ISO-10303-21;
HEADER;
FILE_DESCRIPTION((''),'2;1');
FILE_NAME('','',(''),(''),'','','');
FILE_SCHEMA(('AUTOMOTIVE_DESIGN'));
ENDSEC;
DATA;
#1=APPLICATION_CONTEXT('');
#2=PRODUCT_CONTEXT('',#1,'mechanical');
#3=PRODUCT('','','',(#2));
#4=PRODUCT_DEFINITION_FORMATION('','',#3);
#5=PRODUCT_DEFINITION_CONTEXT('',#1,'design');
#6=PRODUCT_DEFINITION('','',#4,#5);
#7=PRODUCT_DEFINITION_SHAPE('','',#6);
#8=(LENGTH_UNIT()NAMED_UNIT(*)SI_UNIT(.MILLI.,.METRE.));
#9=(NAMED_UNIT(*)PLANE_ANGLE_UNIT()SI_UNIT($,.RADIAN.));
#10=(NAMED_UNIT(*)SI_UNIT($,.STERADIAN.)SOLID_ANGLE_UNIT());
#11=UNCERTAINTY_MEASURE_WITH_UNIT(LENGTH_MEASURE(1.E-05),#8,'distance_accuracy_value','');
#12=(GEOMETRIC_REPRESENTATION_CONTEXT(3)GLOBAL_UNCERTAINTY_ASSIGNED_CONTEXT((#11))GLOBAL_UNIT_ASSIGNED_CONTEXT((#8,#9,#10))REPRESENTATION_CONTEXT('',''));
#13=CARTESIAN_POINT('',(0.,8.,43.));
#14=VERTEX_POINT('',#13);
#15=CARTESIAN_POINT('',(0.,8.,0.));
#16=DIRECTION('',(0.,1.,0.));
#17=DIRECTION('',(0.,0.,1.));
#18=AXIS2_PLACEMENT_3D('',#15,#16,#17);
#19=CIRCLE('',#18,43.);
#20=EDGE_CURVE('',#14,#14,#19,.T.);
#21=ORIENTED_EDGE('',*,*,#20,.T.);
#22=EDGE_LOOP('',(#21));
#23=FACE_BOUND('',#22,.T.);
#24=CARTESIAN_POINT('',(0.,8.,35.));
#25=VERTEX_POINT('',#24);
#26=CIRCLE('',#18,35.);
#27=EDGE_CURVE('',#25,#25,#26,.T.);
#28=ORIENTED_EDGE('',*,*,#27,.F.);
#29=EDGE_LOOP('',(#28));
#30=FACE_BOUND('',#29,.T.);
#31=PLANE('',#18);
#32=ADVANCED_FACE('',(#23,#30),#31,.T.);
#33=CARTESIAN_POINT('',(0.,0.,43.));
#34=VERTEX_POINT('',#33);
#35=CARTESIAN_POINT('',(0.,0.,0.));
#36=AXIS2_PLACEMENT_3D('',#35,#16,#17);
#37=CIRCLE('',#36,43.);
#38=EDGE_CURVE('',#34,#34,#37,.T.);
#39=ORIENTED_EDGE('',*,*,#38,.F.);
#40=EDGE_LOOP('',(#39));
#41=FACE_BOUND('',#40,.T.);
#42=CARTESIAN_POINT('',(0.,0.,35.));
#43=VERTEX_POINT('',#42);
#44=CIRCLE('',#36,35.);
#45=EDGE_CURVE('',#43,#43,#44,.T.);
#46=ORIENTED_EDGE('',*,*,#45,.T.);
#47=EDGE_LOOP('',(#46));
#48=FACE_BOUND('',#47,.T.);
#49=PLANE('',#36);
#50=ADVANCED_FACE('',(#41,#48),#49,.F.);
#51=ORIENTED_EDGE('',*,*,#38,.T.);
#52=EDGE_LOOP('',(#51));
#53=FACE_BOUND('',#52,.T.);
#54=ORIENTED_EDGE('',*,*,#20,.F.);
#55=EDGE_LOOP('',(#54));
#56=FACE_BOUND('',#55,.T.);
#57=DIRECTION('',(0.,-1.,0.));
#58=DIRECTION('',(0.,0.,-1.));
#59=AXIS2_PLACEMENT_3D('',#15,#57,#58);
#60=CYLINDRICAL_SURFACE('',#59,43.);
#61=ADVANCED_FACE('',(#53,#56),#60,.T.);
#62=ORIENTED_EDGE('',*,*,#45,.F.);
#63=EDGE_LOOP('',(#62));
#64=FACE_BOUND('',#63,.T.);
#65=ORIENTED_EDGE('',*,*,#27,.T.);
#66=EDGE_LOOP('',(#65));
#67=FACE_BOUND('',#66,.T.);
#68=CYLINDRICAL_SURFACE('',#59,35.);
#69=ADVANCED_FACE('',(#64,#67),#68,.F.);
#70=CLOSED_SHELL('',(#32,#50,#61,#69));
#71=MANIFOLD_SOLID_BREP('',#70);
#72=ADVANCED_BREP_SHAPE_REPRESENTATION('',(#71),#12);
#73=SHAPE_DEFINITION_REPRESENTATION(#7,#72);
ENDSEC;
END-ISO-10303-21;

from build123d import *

# Parameters (mm, degrees)
SKETCH_1_R      = 43
SKETCH_1_R_2    = 35
EXTRUDE_1_DEPTH = 8


with BuildPart() as part:
    # 草图1 → 凸台-拉伸1 (new body)
    with BuildSketch(Plane(origin=(0, 0, 0), x_dir=(1, 0, 0), z_dir=(0, 1, 0))):
        Circle(SKETCH_1_R)
        Circle(SKETCH_1_R_2, mode=Mode.SUBTRACT)
    extrude(amount=EXTRUDE_1_DEPTH)


solid = part.part
